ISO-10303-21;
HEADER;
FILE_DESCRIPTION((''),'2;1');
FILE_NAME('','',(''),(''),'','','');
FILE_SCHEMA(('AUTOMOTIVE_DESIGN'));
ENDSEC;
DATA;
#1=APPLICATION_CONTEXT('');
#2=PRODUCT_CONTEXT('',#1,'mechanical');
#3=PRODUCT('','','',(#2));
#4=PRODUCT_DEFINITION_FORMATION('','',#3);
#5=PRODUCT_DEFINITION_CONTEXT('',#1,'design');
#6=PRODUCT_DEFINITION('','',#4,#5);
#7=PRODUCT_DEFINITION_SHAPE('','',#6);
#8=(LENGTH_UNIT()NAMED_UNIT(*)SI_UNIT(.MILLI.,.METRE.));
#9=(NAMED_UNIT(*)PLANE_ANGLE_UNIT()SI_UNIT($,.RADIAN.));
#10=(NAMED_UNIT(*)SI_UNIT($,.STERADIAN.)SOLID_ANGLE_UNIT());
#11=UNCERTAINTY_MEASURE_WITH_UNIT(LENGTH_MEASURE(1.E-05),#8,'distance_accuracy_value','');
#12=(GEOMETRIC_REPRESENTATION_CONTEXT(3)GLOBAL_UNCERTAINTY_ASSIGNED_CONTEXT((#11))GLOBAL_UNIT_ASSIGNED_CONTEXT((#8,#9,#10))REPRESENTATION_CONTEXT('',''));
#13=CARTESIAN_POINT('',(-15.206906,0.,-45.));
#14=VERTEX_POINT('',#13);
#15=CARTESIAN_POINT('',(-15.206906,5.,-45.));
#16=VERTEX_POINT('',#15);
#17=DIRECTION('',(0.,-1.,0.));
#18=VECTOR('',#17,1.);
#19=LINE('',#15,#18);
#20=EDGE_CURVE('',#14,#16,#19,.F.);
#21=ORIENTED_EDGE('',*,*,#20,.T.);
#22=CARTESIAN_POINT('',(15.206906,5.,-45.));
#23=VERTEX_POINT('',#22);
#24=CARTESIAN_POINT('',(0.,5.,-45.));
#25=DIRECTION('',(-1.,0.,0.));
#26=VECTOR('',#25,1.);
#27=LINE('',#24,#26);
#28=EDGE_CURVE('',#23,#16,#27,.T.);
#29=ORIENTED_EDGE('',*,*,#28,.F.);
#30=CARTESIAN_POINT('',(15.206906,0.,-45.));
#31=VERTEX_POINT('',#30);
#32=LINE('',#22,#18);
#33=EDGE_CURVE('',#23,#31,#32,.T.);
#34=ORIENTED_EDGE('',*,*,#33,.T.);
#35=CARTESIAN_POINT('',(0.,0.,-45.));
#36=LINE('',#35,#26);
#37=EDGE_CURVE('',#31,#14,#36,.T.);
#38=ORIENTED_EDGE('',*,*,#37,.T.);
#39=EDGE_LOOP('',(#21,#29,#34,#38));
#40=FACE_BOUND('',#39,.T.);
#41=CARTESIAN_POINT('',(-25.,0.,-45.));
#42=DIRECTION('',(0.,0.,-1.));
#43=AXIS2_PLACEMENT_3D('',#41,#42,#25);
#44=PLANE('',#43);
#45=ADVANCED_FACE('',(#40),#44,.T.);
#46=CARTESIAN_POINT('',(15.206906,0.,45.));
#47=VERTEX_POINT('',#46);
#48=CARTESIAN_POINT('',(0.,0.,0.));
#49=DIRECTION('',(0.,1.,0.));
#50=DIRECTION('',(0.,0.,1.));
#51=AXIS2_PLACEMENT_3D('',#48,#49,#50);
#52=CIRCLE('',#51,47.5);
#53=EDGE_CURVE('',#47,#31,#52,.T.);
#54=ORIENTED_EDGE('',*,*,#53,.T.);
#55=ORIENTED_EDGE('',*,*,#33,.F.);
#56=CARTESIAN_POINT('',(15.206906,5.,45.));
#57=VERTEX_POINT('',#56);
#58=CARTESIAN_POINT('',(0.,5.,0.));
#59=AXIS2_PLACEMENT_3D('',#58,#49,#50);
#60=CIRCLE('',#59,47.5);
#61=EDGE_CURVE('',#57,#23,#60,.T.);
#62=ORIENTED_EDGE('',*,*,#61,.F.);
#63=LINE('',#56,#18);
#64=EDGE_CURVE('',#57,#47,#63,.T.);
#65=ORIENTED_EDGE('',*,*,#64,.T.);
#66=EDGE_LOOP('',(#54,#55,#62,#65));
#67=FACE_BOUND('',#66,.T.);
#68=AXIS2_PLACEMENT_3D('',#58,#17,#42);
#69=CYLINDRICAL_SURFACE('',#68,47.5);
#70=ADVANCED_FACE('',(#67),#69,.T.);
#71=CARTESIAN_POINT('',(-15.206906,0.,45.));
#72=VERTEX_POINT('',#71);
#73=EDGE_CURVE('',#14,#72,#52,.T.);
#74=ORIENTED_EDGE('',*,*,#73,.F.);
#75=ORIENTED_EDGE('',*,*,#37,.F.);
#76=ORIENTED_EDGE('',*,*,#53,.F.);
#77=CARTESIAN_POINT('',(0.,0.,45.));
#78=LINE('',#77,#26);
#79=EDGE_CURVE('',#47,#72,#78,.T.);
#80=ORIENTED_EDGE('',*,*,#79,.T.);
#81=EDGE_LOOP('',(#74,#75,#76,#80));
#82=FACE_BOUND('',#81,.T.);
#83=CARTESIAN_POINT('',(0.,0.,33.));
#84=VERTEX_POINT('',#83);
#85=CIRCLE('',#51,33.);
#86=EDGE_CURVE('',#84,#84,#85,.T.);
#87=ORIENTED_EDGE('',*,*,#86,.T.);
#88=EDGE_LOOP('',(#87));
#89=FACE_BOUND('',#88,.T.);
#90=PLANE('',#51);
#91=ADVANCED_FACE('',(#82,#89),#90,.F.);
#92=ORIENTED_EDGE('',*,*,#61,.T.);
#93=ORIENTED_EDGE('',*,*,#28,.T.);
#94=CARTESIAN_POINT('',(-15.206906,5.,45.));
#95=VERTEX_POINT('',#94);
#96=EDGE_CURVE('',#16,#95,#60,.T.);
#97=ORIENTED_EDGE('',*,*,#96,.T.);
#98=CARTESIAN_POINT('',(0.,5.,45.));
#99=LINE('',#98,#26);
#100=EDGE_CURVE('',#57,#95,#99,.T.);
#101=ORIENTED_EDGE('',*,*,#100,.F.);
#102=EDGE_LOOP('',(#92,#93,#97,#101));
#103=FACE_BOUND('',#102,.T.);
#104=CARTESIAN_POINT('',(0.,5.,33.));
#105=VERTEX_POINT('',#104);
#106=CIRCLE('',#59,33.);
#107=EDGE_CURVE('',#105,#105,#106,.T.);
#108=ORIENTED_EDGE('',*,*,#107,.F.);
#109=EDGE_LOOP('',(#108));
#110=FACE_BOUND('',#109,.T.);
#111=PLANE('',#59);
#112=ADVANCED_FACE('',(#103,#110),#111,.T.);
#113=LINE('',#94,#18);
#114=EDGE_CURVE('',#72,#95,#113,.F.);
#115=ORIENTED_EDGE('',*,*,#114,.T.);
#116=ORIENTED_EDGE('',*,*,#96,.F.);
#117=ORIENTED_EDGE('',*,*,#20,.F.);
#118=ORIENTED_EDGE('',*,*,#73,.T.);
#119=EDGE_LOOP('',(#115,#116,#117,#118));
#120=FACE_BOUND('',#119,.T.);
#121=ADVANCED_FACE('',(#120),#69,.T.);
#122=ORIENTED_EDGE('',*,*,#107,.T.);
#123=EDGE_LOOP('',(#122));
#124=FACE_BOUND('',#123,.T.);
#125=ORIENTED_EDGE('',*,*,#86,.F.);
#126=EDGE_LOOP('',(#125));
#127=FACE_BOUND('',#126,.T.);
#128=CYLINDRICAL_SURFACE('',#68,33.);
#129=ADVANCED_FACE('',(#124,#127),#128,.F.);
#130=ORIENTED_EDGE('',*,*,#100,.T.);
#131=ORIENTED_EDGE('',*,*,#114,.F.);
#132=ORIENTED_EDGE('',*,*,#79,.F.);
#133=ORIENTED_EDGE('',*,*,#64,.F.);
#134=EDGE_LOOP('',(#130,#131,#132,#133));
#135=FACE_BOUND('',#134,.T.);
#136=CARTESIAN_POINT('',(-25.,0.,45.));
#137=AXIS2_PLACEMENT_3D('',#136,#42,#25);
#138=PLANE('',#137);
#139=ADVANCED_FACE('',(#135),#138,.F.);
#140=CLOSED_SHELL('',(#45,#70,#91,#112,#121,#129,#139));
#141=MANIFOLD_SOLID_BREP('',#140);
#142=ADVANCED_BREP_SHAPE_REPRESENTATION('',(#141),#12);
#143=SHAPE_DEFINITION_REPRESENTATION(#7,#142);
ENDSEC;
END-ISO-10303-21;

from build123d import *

# Parameters (mm, degrees)
SKETCH_1_R          = 47.5
SKETCH_1_R_2        = 33
EXTRUDE_1_DEPTH     = 5
SKETCH_2_W          = 10
SKETCH_2_H          = 30
CUT_EXTRUDE_1_DEPTH = 25


with BuildPart() as part:
    # Эскиз1 → Бобышка-Вытянуть1 (new body)
    with BuildSketch(Plane(origin=(0, 0, 0), x_dir=(1, 0, 0), z_dir=(0, 1, 0))):
        with Locations(Location((0, 0, 0), (0, 0, 270))):
            Circle(SKETCH_1_R)
        with Locations(Location((0, 0, 0), (0, 0, 270))):
            Circle(SKETCH_1_R_2, mode=Mode.SUBTRACT)
    extrude(amount=EXTRUDE_1_DEPTH)

    # Эскиз2 → Вырез-Вытянуть1 (cut, symmetric)
    with BuildSketch(Plane(origin=(0, 0, 0), x_dir=(0, 0, -1), z_dir=(1, 0, 0))):
        with Locations((-50, 0)):
            Rectangle(SKETCH_2_W, SKETCH_2_H)
        with Locations((50, 0)):
            Rectangle(SKETCH_2_W, SKETCH_2_H)
    extrude(amount=CUT_EXTRUDE_1_DEPTH, both=True, mode=Mode.SUBTRACT)


solid = part.part
